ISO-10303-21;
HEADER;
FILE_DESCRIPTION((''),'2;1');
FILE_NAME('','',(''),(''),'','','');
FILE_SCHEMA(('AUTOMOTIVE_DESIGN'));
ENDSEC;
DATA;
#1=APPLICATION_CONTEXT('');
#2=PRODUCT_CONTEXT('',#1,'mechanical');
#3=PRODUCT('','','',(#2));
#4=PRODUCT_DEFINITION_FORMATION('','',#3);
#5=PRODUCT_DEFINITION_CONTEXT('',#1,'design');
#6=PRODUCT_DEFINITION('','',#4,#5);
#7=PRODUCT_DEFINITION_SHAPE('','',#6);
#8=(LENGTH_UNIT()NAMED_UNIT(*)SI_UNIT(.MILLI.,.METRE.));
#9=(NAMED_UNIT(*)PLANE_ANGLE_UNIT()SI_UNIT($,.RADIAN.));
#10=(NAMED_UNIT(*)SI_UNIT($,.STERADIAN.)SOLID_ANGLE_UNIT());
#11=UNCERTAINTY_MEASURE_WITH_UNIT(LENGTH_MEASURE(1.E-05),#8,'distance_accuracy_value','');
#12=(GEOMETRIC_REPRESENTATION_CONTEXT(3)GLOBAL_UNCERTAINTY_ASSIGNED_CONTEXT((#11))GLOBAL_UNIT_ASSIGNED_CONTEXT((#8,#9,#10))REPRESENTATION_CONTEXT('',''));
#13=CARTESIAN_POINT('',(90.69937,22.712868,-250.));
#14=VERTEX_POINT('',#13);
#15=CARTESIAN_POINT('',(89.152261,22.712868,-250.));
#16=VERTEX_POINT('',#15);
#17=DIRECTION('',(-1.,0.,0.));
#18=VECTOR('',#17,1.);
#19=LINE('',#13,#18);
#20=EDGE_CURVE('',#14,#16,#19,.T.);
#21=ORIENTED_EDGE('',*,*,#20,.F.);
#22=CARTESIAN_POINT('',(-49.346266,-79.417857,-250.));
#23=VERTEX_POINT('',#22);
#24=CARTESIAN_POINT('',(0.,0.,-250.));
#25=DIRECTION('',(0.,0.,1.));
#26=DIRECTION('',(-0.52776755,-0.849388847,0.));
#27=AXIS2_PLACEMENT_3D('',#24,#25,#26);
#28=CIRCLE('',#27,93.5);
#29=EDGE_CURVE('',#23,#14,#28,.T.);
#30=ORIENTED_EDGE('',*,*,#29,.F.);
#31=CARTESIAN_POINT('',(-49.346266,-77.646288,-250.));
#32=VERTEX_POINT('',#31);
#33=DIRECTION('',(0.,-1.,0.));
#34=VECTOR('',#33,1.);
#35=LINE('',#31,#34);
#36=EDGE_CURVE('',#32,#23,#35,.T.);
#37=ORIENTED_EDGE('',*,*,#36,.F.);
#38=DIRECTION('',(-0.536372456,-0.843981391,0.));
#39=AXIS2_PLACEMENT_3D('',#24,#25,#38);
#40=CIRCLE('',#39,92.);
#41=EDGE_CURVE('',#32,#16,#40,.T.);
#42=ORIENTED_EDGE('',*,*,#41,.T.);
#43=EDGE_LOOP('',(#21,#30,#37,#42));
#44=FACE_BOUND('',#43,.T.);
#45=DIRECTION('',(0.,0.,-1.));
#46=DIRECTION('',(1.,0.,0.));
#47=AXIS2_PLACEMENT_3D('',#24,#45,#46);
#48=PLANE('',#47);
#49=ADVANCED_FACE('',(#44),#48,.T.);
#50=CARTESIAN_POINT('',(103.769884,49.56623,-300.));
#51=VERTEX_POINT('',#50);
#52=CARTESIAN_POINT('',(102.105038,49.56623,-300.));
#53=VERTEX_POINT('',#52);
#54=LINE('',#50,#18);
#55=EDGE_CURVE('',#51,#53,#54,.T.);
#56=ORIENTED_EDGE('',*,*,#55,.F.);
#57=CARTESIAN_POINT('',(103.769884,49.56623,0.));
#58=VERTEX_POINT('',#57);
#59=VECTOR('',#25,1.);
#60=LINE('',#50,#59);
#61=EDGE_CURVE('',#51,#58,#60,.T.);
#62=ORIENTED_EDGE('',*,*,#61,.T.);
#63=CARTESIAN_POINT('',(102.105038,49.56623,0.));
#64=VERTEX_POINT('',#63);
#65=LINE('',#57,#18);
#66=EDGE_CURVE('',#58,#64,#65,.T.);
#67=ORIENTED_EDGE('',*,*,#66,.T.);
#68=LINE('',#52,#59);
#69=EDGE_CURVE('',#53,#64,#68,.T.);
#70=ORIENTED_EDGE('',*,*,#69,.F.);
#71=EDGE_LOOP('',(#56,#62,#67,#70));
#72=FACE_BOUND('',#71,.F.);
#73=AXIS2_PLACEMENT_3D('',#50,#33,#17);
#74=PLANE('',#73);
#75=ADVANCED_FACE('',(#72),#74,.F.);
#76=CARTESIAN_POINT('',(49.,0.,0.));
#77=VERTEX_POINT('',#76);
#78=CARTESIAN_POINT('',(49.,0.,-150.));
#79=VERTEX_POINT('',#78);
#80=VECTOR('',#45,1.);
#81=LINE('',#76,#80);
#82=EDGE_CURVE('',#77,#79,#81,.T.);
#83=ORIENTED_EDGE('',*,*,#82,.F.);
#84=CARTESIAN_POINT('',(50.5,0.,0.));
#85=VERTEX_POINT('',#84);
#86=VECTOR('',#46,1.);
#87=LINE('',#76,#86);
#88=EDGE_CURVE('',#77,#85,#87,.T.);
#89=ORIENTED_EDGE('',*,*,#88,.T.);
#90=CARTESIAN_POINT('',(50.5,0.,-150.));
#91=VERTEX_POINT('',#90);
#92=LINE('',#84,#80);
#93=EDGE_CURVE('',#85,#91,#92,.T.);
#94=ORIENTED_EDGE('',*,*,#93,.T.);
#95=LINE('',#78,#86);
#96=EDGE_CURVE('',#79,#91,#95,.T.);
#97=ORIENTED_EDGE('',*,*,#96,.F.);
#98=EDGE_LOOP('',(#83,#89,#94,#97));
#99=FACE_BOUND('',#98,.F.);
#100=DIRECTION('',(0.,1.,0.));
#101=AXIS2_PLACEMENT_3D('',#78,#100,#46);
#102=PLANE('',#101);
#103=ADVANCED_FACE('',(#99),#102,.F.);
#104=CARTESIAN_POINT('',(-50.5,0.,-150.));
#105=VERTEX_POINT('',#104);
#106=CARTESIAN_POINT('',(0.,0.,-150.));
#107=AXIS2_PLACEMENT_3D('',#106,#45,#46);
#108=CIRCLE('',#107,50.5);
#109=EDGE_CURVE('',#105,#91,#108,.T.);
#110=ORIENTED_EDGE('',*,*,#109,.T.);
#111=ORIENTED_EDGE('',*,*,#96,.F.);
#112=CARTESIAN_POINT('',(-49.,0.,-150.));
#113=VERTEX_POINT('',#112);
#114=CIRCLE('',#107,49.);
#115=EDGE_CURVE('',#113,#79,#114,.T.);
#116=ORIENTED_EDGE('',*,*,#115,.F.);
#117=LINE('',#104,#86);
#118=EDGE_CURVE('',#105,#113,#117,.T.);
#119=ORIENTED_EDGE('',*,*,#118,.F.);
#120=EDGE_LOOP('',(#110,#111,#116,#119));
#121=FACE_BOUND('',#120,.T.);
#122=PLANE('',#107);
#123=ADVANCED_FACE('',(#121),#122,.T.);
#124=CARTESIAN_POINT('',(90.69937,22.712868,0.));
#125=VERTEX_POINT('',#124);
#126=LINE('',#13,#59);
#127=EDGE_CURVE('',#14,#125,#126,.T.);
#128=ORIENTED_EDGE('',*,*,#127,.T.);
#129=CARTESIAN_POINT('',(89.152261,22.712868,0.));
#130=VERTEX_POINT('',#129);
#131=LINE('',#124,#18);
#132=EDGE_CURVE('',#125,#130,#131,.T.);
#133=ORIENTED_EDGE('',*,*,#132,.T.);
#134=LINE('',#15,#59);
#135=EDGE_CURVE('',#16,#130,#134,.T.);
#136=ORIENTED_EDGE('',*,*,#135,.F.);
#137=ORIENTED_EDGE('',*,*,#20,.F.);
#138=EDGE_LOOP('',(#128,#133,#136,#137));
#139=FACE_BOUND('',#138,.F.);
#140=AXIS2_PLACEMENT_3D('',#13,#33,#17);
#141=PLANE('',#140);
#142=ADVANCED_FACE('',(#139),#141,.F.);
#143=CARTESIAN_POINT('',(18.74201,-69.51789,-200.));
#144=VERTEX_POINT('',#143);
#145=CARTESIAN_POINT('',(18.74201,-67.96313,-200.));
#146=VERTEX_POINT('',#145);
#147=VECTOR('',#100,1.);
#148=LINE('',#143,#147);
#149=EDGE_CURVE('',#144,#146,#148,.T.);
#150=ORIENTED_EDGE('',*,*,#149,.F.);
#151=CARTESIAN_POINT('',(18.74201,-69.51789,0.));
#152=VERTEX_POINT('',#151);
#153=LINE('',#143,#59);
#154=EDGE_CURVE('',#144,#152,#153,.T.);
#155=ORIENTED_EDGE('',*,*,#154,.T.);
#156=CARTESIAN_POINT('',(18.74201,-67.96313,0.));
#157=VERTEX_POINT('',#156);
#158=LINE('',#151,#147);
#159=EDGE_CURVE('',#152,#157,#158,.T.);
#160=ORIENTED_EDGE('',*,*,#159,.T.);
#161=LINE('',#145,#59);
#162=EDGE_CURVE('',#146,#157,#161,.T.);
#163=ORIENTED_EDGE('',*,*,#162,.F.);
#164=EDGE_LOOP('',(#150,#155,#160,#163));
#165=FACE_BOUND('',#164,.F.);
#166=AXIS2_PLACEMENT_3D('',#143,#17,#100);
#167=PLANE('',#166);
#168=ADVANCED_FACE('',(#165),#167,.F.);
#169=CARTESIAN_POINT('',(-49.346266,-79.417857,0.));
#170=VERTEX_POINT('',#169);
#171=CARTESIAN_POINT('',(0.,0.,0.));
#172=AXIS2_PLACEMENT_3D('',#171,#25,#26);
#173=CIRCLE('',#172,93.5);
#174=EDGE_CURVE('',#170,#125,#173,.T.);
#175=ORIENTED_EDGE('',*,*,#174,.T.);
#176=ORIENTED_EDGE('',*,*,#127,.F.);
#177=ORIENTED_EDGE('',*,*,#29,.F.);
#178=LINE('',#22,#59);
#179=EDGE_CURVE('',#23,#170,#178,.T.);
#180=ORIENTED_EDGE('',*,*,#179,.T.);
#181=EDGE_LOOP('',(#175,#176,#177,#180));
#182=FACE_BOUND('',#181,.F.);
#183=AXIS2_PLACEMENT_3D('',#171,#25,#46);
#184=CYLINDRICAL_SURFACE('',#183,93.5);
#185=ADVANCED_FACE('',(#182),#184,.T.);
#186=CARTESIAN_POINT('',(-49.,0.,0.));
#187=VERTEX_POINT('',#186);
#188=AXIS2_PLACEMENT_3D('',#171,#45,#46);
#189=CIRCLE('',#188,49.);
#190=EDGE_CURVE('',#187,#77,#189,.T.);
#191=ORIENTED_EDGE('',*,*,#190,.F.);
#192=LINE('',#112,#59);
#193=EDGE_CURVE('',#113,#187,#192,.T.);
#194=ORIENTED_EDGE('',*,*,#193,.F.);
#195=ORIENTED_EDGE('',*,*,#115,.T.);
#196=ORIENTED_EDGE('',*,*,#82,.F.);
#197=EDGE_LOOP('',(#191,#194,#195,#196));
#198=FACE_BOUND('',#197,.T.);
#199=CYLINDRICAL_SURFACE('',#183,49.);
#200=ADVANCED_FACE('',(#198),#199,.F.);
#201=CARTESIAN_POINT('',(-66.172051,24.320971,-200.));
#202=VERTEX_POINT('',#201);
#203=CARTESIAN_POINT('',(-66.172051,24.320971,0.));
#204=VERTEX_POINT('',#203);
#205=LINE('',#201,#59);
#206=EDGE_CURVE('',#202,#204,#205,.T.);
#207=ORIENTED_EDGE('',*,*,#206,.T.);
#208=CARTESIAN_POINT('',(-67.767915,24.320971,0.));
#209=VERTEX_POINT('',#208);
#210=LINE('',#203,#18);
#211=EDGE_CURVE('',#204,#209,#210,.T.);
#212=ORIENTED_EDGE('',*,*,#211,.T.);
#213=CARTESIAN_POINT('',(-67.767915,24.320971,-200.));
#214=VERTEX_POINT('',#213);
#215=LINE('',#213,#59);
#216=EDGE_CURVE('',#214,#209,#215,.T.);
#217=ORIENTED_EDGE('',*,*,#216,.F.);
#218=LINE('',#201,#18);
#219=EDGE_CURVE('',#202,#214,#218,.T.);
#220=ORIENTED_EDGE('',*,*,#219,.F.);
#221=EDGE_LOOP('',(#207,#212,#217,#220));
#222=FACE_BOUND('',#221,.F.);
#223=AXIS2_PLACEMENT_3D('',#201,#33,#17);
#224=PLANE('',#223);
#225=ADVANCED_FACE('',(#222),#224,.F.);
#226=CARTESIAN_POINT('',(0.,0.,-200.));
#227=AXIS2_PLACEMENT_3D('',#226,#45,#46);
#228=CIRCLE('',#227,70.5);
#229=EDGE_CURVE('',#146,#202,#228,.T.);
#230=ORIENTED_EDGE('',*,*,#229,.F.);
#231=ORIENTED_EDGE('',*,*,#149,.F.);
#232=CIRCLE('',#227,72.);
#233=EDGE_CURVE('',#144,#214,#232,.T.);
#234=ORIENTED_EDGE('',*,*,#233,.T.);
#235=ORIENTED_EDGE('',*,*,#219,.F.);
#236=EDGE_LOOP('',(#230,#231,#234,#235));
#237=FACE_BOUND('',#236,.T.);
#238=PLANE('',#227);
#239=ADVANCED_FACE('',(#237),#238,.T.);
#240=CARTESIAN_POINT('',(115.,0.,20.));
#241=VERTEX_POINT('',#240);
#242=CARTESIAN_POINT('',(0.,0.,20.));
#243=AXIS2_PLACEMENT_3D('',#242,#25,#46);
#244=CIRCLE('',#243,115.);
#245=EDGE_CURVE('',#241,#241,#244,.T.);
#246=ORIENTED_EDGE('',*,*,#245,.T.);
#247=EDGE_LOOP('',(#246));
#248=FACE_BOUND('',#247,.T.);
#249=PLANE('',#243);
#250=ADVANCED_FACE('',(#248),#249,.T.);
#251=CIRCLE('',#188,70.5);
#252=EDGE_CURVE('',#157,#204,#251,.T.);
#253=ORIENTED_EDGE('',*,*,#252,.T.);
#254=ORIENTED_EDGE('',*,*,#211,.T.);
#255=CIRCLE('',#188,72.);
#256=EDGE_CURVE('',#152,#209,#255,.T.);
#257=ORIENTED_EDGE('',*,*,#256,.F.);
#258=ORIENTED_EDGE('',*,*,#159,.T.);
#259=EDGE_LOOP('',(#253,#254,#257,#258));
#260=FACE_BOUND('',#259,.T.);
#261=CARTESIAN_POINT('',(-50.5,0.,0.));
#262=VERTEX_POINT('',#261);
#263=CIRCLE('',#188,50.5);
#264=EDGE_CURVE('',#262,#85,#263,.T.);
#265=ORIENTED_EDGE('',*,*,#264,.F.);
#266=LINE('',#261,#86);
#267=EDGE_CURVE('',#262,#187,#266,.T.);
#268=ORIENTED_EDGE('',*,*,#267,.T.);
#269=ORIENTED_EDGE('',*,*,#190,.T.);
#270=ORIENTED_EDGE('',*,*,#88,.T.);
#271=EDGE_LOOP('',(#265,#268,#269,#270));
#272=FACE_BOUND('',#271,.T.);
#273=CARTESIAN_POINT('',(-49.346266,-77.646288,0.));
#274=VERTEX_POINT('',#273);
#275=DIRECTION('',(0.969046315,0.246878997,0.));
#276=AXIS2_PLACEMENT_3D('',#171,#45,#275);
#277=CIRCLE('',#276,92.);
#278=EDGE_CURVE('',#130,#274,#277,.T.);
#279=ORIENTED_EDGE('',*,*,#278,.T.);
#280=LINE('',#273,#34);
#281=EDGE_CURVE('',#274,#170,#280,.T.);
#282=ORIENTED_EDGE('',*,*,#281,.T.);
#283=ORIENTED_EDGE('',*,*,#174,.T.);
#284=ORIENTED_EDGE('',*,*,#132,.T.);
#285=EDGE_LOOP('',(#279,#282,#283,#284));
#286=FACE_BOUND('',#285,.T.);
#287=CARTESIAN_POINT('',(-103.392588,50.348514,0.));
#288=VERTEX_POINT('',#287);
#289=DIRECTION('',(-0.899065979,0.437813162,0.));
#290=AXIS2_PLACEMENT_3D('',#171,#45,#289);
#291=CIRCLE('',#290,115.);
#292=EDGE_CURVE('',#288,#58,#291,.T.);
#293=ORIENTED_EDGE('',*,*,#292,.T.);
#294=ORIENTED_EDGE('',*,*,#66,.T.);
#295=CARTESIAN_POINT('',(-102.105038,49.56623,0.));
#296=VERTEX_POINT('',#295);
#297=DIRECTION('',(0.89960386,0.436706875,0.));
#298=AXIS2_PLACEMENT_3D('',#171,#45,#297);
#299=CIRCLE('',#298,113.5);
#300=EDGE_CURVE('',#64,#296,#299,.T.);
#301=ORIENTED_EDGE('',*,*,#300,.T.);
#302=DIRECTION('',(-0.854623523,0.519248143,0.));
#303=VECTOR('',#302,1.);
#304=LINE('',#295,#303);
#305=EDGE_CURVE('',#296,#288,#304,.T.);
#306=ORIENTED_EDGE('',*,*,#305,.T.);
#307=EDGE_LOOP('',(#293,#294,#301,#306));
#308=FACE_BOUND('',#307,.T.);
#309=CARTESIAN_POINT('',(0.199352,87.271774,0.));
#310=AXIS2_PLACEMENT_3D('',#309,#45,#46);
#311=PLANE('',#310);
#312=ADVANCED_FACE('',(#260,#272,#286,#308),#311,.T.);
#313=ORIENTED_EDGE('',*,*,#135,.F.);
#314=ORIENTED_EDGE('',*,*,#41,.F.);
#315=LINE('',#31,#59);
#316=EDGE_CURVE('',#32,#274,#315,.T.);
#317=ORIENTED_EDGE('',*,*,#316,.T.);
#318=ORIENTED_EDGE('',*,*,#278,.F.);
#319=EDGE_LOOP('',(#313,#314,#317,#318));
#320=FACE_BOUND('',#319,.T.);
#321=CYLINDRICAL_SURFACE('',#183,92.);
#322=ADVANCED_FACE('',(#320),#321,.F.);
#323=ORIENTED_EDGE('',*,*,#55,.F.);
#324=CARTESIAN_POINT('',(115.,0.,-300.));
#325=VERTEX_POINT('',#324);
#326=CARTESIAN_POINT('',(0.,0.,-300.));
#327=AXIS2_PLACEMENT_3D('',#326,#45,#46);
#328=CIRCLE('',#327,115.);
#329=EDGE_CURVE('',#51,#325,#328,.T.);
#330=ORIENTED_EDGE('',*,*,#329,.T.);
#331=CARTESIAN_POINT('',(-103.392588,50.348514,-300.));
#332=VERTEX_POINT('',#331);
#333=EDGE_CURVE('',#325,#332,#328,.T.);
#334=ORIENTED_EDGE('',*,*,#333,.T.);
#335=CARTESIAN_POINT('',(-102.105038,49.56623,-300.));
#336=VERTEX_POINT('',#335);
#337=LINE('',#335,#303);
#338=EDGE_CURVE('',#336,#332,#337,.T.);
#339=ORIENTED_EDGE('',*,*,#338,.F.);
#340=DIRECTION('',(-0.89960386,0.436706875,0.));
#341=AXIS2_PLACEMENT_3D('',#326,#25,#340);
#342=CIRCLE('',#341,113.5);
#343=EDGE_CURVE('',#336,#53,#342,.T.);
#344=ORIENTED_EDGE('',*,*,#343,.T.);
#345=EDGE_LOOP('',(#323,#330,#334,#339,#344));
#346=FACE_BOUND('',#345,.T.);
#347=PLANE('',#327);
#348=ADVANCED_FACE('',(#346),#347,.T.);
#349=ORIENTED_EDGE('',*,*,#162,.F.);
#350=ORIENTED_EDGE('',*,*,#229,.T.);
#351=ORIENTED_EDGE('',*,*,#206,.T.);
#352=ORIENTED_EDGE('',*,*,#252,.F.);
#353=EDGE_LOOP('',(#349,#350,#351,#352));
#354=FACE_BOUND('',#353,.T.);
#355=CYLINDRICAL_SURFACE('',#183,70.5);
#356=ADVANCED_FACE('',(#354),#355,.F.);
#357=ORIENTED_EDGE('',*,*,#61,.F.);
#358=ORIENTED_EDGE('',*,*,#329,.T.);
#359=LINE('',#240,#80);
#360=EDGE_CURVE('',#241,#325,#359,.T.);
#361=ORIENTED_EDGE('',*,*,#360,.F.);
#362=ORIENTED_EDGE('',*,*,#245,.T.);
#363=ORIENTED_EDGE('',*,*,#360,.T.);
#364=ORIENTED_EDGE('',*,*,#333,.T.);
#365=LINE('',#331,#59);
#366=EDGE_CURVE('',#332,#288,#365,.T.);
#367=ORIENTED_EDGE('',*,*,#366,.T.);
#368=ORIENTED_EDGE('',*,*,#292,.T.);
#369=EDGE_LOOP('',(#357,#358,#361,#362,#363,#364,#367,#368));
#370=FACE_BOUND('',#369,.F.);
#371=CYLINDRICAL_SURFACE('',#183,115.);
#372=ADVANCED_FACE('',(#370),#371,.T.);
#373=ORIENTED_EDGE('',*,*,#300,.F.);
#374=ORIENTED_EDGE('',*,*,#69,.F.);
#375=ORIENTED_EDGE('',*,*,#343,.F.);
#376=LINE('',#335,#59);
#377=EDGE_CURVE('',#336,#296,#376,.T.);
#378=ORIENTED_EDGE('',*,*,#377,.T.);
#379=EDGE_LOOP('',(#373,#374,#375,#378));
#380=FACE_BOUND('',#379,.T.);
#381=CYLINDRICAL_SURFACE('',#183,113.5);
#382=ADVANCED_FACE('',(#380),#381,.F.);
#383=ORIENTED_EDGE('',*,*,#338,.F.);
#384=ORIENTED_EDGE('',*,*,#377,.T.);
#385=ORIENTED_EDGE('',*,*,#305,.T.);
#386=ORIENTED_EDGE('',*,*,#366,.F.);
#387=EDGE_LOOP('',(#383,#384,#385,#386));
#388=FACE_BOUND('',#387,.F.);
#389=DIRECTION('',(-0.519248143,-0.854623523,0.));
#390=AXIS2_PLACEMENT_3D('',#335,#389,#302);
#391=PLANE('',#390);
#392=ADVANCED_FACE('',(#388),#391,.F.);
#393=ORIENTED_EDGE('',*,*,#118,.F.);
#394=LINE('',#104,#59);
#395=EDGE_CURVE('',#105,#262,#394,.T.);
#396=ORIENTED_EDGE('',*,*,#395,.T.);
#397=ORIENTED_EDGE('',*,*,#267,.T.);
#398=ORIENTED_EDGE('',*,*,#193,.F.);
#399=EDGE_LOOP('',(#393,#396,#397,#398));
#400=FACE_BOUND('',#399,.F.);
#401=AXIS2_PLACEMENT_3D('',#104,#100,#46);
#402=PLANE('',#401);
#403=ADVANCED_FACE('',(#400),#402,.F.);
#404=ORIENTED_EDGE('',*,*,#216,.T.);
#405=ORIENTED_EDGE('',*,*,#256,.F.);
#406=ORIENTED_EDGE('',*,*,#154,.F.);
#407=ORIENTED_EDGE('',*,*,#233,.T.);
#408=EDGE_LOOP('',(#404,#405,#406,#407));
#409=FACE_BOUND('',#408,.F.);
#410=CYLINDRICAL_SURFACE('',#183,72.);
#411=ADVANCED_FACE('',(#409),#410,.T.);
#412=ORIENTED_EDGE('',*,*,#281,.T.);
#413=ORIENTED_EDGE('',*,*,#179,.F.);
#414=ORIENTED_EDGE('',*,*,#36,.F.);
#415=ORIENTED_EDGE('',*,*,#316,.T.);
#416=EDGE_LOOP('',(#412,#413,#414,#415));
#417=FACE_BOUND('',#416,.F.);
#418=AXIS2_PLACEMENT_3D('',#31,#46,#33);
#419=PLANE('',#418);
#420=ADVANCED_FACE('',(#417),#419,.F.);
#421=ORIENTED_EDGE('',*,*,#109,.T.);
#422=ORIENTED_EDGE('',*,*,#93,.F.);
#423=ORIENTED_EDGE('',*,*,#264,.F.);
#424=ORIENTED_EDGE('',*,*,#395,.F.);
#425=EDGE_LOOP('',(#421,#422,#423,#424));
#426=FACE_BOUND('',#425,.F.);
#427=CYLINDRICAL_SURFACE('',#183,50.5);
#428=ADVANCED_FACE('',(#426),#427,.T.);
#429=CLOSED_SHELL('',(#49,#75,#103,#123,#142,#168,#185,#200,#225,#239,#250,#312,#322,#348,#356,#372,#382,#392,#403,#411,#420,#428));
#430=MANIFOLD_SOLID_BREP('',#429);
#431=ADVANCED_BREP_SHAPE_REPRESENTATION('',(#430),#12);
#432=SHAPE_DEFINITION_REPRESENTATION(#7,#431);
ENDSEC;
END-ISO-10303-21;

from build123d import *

# Parameters (mm, degrees)
F0_R      = 115
F1_DEPTH  = 20
F2_R      = 115
F2_R_2    = 113.5
F3_DEPTH  = 300
F4_R      = 72
F4_R_2    = 70.5
F5_DEPTH  = 200
F6_R      = 50.5
F6_R_2    = 49
F7_DEPTH  = 150
F8_R      = 93.5
F8_R_2    = 92
F9_DEPTH  = 250
F11_DEPTH = 300
F13_DEPTH = 250
F15_DEPTH = 200
F17_DEPTH = 150


with BuildPart() as f1:
    # F0 (on Top) → F1 (new body)
    with BuildSketch(Plane.XY):
        Circle(F0_R)
    extrude(amount=F1_DEPTH)

    # F2 (on face) → F3 (join)
    with BuildSketch(Plane(origin=(0, 0, 0), x_dir=(1, 0, 0), z_dir=(0, 0, -1))):
        Circle(F2_R)
        Circle(F2_R_2, mode=Mode.SUBTRACT)
    extrude(amount=F3_DEPTH)

    # F4 (on face) → F5 (join)
    with BuildSketch(Plane(origin=(0, 0, 0), x_dir=(1, 0, 0), z_dir=(0, 0, -1))):
        Circle(F4_R)
        Circle(F4_R_2, mode=Mode.SUBTRACT)
    extrude(amount=F5_DEPTH)

    # F6 (on face) → F7 (join)
    with BuildSketch(Plane(origin=(0, 0, 0), x_dir=(1, 0, 0), z_dir=(0, 0, -1))):
        Circle(F6_R)
        Circle(F6_R_2, mode=Mode.SUBTRACT)
    extrude(amount=F7_DEPTH)

    # F8 (on face) → F9 (join)
    with BuildSketch(Plane(origin=(0, 0, 0), x_dir=(1, 0, 0), z_dir=(0, 0, -1))):
        Circle(F8_R)
        Circle(F8_R_2, mode=Mode.SUBTRACT)
    extrude(amount=F9_DEPTH)

    # F10 (on face) → F11 (cut)
    with BuildSketch(Plane(origin=(0, 0, -300), x_dir=(1, 0, 0), z_dir=(0, 0, -1))):
        with BuildLine():
            Line((-102.1050381255, -49.5662303328), (-103.3925876319, -50.3485136104))
            ThreePointArc((-103.3925876319, -50.3485136104), (0.4342578791, -114.9991800844), (103.7698839288, -49.5662303328))
            Line((103.7698839288, -49.5662303328), (102.1050381255, -49.5662303328))
            ThreePointArc((102.1050381255, -49.5662303328), (0, -113.5), (-102.1050381255, -49.5662303328))
        make_face()
    extrude(amount=-F11_DEPTH, mode=Mode.SUBTRACT)

    # F12 (on face) → F13 (cut)
    with BuildSketch(Plane(origin=(0, 0, -250), x_dir=(1, 0, 0), z_dir=(0, 0, -1))):
        with BuildLine():
            ThreePointArc((-49.3462659465, 79.4178571679), (-55.0925678888, -75.5450790152), (90.6993695659, -22.7128677261))
            Line((90.6993695659, -22.7128677261), (89.1522609902, -22.7128677261))
            ThreePointArc((89.1522609902, -22.7128677261), (-53.9825837089, -74.4975211408), (-49.3462659465, 77.6462879804))
            Line((-49.3462659465, 77.6462879804), (-49.3462659465, 79.4178571679))
        make_face()
    extrude(amount=-F13_DEPTH, mode=Mode.SUBTRACT)

    # F14 (on face) → F15 (cut)
    with BuildSketch(Plane(origin=(0, 0, -200), x_dir=(1, 0, 0), z_dir=(0, 0, -1))):
        with BuildLine():
            Line((-66.1720512268, -24.3209711245), (-67.7679154435, -24.3209711245))
            ThreePointArc((-67.7679154435, -24.3209711245), (12.3432185443, -70.9340888147), (72, 0))
            ThreePointArc((72, 0), (57.1551603856, 43.7868432442), (18.742009964, 69.5178902334))
            Line((18.742009964, 69.5178902334), (18.742009964, 67.96313017))
            ThreePointArc((18.742009964, 67.96313017), (56.0872610423, 42.713805131), (70.5, 0))
            ThreePointArc((70.5, 0), (12.3515259889, -69.4095800718), (-66.1720512268, -24.3209711245))
        make_face()
    extrude(amount=-F15_DEPTH, mode=Mode.SUBTRACT)

    # F16 (on face) → F17 (cut)
    with BuildSketch(Plane(origin=(0, 0, -150), x_dir=(1, 0, 0), z_dir=(0, 0, -1))):
        with BuildLine():
            ThreePointArc((50.5, 0), (0, 50.5), (-50.5, 0))
            Line((-50.5, 0), (-49, 0))
            ThreePointArc((-49, 0), (0, 49), (49, 0))
            Line((49, 0), (50.5, 0))
        make_face()
    extrude(amount=-F17_DEPTH, mode=Mode.SUBTRACT)


solid = f1.part
